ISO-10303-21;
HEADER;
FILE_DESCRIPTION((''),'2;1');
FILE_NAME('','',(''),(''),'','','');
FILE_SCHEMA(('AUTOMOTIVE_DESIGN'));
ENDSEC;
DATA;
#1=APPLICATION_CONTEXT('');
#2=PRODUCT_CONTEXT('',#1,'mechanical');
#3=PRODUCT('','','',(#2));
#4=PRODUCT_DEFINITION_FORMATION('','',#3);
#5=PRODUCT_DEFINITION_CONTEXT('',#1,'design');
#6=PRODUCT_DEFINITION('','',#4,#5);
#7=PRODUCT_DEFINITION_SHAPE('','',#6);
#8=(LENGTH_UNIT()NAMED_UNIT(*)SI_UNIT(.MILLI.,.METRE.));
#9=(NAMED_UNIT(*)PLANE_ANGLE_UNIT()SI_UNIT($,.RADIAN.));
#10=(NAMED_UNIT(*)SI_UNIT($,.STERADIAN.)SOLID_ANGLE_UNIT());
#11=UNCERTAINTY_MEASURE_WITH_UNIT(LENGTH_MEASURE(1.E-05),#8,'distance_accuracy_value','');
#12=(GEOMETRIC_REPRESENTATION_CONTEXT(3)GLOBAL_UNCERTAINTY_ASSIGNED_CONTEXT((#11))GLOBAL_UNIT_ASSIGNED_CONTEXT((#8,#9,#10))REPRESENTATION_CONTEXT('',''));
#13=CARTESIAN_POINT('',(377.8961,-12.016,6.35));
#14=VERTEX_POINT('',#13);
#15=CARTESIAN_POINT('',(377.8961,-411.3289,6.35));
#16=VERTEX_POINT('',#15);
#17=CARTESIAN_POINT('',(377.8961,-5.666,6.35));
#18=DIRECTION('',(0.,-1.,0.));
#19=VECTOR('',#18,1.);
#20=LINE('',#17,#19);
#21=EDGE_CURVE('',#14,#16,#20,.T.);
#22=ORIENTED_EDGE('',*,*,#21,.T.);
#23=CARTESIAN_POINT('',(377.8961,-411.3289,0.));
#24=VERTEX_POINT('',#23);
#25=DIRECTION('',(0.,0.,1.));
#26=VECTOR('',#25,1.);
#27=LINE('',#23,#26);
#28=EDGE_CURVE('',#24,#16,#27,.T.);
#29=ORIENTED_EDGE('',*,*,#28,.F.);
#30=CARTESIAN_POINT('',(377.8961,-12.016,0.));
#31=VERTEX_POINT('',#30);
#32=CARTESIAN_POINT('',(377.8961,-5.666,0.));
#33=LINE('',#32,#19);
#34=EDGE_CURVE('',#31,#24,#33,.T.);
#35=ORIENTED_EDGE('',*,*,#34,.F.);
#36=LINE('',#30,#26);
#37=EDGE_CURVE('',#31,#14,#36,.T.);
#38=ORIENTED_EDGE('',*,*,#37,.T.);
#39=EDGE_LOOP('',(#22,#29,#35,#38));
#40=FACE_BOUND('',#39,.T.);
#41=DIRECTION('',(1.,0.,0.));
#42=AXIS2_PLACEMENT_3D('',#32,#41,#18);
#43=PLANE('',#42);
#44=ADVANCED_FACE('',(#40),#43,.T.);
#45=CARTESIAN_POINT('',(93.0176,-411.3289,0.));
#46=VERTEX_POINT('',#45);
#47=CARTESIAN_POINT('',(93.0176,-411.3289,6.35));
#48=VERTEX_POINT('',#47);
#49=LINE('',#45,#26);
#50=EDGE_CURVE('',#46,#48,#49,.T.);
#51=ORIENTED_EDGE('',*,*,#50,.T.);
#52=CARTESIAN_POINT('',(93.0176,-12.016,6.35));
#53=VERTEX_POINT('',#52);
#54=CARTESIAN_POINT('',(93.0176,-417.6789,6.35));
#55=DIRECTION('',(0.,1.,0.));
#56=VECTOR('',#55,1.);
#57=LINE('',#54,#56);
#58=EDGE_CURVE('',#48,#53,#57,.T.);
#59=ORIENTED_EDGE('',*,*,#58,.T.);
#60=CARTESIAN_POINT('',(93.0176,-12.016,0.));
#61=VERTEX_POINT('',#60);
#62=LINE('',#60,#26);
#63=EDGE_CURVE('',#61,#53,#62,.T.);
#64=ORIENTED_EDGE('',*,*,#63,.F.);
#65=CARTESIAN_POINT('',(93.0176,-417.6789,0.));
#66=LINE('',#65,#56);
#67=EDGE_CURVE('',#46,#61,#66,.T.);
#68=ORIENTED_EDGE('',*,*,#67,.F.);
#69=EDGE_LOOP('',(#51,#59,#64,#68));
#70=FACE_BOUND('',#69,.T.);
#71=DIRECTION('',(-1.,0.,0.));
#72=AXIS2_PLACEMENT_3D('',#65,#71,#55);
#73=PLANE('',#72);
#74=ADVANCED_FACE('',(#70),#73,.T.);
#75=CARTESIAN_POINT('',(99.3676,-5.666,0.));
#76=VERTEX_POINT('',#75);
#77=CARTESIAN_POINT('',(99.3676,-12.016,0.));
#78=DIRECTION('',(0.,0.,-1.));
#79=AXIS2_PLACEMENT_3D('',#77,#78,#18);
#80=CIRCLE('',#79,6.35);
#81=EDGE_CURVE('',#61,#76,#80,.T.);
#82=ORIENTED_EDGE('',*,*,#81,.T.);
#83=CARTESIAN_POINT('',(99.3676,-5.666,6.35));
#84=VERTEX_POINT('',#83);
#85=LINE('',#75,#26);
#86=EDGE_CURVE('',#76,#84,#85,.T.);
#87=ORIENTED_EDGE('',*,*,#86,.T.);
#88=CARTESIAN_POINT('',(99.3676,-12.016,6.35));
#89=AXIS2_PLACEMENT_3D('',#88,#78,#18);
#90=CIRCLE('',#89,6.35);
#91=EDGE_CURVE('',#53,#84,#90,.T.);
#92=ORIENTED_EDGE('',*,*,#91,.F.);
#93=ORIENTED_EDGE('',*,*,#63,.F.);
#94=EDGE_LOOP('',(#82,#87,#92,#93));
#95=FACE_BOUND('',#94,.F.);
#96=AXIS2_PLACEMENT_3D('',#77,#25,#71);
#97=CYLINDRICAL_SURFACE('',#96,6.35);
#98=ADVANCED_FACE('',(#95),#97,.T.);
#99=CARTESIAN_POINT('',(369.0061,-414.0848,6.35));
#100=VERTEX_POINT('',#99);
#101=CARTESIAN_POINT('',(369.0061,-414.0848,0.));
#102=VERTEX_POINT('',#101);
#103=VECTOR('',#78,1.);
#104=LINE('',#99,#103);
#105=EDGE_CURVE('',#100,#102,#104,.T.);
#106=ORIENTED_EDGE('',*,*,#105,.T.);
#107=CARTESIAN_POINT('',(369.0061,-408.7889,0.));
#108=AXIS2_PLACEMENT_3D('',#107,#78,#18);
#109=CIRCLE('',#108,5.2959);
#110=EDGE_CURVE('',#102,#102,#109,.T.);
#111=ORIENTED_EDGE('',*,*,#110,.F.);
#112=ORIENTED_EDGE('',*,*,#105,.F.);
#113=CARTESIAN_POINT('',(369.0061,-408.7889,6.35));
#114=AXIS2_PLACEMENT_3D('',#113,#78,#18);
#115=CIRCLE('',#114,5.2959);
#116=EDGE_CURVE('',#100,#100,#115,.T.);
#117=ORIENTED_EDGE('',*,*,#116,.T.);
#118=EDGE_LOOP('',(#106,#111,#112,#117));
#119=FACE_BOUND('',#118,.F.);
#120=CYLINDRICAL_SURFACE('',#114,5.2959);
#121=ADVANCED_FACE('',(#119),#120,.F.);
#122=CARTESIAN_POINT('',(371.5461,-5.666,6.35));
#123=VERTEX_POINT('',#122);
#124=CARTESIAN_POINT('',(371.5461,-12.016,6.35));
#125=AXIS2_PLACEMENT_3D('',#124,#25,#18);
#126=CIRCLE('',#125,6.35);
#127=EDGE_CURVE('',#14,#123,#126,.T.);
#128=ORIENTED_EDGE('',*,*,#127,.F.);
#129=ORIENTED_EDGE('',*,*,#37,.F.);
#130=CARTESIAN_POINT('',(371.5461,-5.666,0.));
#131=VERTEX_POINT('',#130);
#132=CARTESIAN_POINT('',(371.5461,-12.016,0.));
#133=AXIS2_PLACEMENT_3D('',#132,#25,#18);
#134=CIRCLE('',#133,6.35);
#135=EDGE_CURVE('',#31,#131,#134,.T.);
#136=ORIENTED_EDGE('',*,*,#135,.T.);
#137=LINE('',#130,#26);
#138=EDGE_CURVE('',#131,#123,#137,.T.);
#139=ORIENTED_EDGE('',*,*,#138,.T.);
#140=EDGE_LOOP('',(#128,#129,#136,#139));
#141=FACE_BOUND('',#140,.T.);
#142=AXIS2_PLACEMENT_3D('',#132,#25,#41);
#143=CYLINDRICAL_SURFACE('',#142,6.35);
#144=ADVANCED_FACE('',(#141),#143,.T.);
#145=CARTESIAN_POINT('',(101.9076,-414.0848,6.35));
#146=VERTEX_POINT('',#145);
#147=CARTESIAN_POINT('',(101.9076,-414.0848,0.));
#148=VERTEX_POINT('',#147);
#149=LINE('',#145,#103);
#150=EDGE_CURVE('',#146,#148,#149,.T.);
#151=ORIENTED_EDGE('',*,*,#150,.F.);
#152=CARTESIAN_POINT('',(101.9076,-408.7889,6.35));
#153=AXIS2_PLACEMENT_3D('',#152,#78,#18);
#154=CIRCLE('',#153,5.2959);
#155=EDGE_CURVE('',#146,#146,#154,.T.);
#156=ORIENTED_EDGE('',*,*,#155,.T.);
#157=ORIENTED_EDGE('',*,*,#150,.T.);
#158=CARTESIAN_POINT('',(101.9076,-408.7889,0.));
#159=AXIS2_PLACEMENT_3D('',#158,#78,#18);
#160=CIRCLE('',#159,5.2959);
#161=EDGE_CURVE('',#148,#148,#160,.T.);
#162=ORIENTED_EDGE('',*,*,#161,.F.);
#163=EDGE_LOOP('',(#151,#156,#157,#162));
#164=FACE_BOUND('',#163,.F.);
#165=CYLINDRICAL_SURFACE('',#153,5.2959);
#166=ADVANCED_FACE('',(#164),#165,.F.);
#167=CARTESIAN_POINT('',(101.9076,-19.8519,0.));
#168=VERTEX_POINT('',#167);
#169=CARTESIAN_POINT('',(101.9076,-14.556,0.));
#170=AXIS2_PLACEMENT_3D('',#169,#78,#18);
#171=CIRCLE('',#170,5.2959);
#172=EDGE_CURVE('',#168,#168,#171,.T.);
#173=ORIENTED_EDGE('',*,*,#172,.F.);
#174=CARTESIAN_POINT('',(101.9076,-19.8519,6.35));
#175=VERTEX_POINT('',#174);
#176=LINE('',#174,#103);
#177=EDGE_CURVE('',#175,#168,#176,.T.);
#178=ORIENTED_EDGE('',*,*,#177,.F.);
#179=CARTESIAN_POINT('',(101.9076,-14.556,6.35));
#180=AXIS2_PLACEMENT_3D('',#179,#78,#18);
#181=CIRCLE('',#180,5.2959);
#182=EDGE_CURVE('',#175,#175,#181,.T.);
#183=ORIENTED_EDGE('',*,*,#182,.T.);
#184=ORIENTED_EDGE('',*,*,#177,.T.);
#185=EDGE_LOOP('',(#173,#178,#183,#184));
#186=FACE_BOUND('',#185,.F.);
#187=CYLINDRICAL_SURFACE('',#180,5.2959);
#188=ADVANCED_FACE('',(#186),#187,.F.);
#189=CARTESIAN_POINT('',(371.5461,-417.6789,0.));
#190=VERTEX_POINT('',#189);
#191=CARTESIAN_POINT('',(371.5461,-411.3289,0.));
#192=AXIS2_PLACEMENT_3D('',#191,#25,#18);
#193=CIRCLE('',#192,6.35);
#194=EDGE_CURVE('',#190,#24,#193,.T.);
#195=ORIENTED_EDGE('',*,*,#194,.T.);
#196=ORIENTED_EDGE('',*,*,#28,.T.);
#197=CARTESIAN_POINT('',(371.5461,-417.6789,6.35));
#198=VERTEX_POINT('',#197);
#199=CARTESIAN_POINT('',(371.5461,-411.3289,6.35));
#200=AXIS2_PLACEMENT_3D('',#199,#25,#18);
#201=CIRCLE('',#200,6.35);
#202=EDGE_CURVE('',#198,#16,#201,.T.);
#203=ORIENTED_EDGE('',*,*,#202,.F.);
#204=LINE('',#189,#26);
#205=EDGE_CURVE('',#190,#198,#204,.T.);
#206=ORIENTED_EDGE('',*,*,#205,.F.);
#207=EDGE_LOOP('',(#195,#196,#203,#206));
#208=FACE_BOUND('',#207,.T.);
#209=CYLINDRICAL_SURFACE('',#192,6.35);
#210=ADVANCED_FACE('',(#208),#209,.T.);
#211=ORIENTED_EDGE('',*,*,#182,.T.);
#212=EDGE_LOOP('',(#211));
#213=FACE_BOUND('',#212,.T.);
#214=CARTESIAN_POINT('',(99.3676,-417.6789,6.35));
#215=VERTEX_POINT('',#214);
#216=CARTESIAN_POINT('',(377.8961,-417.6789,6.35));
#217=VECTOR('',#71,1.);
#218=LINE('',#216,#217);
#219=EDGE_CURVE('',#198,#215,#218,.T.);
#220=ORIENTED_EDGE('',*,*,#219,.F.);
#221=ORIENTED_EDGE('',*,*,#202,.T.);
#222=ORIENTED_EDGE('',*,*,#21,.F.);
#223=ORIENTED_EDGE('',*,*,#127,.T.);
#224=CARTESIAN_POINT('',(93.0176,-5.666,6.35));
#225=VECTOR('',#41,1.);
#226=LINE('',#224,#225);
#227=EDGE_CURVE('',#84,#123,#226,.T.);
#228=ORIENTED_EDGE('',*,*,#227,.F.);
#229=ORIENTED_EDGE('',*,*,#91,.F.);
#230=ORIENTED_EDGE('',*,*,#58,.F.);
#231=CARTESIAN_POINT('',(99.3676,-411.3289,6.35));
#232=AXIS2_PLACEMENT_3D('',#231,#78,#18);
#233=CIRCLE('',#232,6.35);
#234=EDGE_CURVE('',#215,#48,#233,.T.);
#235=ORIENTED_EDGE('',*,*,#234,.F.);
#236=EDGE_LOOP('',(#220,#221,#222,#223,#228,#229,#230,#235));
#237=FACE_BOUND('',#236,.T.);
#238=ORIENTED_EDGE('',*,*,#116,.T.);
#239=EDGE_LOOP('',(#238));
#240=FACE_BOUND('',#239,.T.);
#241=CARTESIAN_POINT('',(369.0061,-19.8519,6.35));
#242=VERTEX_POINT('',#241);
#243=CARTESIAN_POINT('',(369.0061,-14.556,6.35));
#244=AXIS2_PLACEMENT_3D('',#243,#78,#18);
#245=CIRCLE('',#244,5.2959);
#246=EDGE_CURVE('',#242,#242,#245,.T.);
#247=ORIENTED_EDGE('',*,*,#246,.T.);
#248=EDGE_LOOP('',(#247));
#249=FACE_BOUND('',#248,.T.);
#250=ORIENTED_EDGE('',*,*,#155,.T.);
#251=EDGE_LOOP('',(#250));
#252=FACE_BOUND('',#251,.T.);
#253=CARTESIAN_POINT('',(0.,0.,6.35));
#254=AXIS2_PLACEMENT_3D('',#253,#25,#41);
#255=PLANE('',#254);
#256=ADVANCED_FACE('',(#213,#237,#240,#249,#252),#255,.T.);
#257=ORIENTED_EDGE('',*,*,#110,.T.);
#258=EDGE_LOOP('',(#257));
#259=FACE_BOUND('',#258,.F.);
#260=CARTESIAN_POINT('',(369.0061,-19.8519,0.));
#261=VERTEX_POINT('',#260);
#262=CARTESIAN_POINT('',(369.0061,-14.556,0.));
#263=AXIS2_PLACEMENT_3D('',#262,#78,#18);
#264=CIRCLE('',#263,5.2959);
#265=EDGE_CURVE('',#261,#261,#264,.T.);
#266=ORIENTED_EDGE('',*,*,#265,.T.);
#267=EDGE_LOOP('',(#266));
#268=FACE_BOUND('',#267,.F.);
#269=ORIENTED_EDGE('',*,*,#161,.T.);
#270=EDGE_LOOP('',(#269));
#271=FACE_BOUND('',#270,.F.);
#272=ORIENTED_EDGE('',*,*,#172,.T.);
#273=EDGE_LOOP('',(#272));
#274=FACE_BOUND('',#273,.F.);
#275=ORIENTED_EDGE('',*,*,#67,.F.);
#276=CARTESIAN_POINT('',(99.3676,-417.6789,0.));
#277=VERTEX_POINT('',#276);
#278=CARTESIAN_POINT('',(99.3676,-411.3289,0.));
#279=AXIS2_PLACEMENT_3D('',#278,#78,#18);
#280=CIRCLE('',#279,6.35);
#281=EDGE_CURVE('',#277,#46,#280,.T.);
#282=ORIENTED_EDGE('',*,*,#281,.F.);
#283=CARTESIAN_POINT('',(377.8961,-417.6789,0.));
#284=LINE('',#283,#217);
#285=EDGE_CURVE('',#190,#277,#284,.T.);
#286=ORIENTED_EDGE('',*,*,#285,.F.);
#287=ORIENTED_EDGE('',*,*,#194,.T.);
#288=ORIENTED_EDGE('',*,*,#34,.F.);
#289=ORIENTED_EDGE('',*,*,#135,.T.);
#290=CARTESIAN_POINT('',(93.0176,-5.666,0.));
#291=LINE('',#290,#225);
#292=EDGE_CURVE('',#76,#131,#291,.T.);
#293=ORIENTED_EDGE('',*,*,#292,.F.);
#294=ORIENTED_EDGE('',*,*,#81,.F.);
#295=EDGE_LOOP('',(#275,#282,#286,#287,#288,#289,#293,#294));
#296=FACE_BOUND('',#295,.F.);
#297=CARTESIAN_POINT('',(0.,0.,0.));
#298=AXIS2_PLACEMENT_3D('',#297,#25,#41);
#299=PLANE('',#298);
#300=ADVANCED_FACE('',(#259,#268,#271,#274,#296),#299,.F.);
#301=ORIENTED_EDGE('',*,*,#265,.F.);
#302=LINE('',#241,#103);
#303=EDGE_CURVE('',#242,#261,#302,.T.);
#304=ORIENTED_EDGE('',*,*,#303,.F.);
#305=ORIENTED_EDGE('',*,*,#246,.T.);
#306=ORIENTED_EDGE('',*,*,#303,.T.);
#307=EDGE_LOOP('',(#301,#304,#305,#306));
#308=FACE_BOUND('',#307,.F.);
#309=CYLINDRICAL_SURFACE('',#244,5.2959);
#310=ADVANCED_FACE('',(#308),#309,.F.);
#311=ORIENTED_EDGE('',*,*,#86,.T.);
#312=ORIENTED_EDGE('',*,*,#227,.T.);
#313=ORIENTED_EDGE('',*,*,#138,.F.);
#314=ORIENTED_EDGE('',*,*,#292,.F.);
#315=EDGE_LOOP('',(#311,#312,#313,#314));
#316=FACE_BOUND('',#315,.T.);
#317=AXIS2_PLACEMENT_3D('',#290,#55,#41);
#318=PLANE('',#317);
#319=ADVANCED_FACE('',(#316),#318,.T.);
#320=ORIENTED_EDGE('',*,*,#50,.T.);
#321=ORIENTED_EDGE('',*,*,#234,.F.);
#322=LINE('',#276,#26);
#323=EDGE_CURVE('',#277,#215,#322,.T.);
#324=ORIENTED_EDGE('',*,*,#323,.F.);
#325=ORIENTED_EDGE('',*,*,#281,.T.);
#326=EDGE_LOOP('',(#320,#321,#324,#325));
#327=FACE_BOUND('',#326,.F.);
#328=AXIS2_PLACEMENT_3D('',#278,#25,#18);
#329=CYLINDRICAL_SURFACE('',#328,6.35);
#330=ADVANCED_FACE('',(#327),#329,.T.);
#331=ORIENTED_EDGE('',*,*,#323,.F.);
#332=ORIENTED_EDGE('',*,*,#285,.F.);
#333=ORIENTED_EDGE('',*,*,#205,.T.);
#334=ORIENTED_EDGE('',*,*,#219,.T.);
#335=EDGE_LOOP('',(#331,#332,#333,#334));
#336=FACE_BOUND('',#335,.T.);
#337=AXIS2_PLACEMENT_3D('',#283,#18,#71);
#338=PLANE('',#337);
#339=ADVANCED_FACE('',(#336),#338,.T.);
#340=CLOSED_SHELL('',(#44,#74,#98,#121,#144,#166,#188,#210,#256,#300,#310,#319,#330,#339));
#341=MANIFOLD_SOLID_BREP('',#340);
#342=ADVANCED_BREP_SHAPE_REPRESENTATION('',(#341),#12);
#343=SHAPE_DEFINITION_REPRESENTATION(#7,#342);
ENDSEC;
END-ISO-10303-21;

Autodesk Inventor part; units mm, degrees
ref_plane "YZ Plane" through (0, 0, 0) normal (1, 0, 0) x (0, 1, 0)
ref_plane "XZ Plane" through (0, 0, 0) normal (0, 1, 0) x (-1, 0, 0)
ref_plane "XY Plane" through (0, 0, 0) normal (0, 0, 1) x (1, 0, 0)
sketch "Sketch1" plane through (0, 0, 0) normal (0, 0, 1) x (1, 0, 0)
  circle A0 centre (101.9076, -14.556) radius 5.2959 construction
  line L0 (89.2076, -40.4217) -> (89.2076, -1.856) construction
  line L1 (89.2076, -40.4217) -> (127.7733, -1.856) construction
  line L2 (89.2076, -1.856) -> (127.7733, -1.856) construction
  circle A1 centre (369.0061, -14.556) radius 5.2959 construction
  line L3 (381.7061, -1.856) -> (381.7061, -40.4217) construction
  line L4 (343.1404, -1.856) -> (381.7061, -1.856) construction
  line L5 (343.1404, -1.856) -> (381.7061, -40.4217) construction
  circle A2 centre (369.0061, -408.7889) radius 5.2959 construction
  line L6 (381.7061, -382.9233) -> (381.7061, -421.4889) construction
  line L7 (381.7061, -382.9233) -> (343.1404, -421.4889) construction
  line L8 (381.7061, -421.4889) -> (343.1404, -421.4889) construction
  circle A3 centre (101.9076, -408.7889) radius 5.2959 construction
  line L9 (89.2076, -421.4889) -> (89.2076, -382.9233) construction
  line L10 (127.7733, -421.4889) -> (89.2076, -421.4889) construction
  line L11 (127.7733, -421.4889) -> (89.2076, -382.9233) construction
  line L12 (377.8961, -417.6789) -> (93.0176, -417.6789)
  line L13 (93.0176, -417.6789) -> (93.0176, -5.666)
  line L14 (93.0176, -5.666) -> (377.8961, -5.666)
  line L15 (377.8961, -5.666) -> (377.8961, -417.6789)
  point P0 (0, 0)
  dimension "d0" = 3.81
  dimension "d1" = 3.81
  dimension "d2" = 3.81
  dimension "d3" = 3.81
extrude "Extrusion1" add sketch "Sketch1" along normal blind 6.35
sketch "Sketch2" plane through (0, 0, 6.35) normal (0, 0, 1) x (1, 0, 0)
  circle A0 centre (101.9076, -14.556) radius 5.2959 construction
  line L0 (89.2076, -40.4217) -> (89.2076, -1.856) construction
  line L1 (89.2076, -40.4217) -> (127.7733, -1.856) construction
  line L2 (89.2076, -1.856) -> (127.7733, -1.856) construction
  circle A1 centre (369.0061, -14.556) radius 5.2959 construction
  line L3 (381.7061, -1.856) -> (381.7061, -40.4217) construction
  line L4 (343.1404, -1.856) -> (381.7061, -1.856) construction
  line L5 (343.1404, -1.856) -> (381.7061, -40.4217) construction
  circle A2 centre (369.0061, -408.7889) radius 5.2959 construction
  line L6 (381.7061, -382.9233) -> (381.7061, -421.4889) construction
  line L7 (381.7061, -382.9233) -> (343.1404, -421.4889) construction
  line L8 (381.7061, -421.4889) -> (343.1404, -421.4889) construction
  circle A3 centre (101.9076, -408.7889) radius 5.2959 construction
  line L9 (89.2076, -421.4889) -> (89.2076, -382.9233) construction
  line L10 (127.7733, -421.4889) -> (89.2076, -421.4889) construction
  line L11 (127.7733, -421.4889) -> (89.2076, -382.9233) construction
  point P0 (0, 0)
hole "Hole1" at (101.9076, -14.556, 6.35) at (369.0061, -14.556, 6.35) at (369.0061, -408.7889, 6.35) at (101.9076, -408.7889, 6.35) direction (0, 0, -1) diameter 10.5918 end through all thread size "1/2-13 UNC" class "2B" standard "ANSI Unified Screw Threads"
fillet "Fillet1" radius 6.35 4 edges at (93.0176, -5.666, 3.175) (377.8961, -5.666, 3.175) (377.8961, -417.6789, 3.175) (93.0176, -417.6789, 3.175)
properties part number "Door Plate" material "PC/ABS Plastic"
